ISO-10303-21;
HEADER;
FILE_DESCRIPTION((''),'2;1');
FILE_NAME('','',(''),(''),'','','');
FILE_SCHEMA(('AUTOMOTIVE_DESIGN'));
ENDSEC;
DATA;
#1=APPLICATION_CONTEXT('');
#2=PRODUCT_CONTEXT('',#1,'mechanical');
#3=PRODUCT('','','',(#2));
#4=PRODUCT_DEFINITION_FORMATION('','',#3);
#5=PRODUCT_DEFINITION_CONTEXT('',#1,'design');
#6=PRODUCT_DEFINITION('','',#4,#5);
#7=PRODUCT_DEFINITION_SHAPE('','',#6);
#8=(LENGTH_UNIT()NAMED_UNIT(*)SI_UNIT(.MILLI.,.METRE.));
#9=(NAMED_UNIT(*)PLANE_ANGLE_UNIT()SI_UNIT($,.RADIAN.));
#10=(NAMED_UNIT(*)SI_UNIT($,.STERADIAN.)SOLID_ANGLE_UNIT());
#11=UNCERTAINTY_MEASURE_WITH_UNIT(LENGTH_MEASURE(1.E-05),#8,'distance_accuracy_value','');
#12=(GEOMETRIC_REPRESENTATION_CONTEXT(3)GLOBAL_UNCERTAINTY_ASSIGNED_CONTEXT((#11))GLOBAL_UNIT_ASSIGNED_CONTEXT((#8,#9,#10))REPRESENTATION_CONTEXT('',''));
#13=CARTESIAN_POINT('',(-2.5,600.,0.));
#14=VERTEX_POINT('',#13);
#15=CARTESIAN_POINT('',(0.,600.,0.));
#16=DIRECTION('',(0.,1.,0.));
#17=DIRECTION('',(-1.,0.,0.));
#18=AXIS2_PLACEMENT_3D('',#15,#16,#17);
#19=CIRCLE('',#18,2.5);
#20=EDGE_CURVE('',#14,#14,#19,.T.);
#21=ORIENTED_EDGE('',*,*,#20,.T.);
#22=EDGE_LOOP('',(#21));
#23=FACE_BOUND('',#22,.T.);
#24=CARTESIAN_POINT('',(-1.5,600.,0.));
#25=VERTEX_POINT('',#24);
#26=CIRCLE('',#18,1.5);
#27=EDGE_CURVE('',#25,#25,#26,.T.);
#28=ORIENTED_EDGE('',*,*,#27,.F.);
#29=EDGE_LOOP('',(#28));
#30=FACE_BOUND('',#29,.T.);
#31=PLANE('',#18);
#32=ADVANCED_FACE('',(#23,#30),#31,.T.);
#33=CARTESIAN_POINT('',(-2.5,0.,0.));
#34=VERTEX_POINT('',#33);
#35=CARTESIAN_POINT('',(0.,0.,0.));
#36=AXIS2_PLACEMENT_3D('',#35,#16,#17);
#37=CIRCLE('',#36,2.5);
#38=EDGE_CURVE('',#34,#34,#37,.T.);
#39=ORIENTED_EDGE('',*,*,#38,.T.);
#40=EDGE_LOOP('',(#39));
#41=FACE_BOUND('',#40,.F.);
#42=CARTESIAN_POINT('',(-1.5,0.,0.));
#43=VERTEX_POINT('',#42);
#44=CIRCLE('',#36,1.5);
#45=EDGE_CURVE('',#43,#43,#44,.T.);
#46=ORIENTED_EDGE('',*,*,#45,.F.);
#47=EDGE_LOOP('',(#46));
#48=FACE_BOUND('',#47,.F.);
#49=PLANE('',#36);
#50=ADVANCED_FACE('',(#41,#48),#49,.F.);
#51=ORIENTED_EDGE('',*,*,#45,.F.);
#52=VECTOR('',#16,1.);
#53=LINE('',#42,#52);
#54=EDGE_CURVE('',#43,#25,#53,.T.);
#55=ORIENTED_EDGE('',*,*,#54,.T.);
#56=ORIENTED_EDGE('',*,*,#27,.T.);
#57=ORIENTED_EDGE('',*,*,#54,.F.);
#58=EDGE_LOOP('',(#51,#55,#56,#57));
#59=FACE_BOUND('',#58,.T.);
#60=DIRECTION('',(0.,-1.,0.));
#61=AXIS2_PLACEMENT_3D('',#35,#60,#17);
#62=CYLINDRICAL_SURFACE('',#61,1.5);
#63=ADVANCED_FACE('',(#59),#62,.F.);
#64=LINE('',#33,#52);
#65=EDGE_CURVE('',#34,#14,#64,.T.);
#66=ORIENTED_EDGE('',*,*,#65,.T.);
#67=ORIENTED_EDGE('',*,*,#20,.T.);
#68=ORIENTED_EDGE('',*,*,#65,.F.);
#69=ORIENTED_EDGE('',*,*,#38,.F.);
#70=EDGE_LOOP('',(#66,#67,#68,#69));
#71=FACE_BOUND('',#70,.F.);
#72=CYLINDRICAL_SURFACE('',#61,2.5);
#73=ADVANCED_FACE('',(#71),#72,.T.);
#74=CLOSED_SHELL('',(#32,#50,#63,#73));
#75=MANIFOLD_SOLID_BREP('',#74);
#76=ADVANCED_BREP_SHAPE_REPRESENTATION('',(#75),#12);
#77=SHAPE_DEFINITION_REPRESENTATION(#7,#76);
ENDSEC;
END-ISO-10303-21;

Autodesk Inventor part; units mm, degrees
ref_plane "YZ Plane" through (0, 0, 0) normal (1, 0, 0) x (0, 1, 0)
ref_plane "XZ Plane" through (0, 0, 0) normal (0, 1, 0) x (-1, 0, 0)
ref_plane "XY Plane" through (0, 0, 0) normal (0, 0, 1) x (1, 0, 0)
sketch "Sketch1" plane through (0, 0, 0) normal (0, 1, 0) x (-1, 0, 0)
  circle A0 centre (0, 0) radius 2.5
  circle A1 centre (0, 0) radius 1.5
  dimension "d0" = 5
  dimension "d3" = 3
extrude "Extrusion1" add sketch "Sketch1" along normal blind 600
properties part number "CH_00_0001_stem"
